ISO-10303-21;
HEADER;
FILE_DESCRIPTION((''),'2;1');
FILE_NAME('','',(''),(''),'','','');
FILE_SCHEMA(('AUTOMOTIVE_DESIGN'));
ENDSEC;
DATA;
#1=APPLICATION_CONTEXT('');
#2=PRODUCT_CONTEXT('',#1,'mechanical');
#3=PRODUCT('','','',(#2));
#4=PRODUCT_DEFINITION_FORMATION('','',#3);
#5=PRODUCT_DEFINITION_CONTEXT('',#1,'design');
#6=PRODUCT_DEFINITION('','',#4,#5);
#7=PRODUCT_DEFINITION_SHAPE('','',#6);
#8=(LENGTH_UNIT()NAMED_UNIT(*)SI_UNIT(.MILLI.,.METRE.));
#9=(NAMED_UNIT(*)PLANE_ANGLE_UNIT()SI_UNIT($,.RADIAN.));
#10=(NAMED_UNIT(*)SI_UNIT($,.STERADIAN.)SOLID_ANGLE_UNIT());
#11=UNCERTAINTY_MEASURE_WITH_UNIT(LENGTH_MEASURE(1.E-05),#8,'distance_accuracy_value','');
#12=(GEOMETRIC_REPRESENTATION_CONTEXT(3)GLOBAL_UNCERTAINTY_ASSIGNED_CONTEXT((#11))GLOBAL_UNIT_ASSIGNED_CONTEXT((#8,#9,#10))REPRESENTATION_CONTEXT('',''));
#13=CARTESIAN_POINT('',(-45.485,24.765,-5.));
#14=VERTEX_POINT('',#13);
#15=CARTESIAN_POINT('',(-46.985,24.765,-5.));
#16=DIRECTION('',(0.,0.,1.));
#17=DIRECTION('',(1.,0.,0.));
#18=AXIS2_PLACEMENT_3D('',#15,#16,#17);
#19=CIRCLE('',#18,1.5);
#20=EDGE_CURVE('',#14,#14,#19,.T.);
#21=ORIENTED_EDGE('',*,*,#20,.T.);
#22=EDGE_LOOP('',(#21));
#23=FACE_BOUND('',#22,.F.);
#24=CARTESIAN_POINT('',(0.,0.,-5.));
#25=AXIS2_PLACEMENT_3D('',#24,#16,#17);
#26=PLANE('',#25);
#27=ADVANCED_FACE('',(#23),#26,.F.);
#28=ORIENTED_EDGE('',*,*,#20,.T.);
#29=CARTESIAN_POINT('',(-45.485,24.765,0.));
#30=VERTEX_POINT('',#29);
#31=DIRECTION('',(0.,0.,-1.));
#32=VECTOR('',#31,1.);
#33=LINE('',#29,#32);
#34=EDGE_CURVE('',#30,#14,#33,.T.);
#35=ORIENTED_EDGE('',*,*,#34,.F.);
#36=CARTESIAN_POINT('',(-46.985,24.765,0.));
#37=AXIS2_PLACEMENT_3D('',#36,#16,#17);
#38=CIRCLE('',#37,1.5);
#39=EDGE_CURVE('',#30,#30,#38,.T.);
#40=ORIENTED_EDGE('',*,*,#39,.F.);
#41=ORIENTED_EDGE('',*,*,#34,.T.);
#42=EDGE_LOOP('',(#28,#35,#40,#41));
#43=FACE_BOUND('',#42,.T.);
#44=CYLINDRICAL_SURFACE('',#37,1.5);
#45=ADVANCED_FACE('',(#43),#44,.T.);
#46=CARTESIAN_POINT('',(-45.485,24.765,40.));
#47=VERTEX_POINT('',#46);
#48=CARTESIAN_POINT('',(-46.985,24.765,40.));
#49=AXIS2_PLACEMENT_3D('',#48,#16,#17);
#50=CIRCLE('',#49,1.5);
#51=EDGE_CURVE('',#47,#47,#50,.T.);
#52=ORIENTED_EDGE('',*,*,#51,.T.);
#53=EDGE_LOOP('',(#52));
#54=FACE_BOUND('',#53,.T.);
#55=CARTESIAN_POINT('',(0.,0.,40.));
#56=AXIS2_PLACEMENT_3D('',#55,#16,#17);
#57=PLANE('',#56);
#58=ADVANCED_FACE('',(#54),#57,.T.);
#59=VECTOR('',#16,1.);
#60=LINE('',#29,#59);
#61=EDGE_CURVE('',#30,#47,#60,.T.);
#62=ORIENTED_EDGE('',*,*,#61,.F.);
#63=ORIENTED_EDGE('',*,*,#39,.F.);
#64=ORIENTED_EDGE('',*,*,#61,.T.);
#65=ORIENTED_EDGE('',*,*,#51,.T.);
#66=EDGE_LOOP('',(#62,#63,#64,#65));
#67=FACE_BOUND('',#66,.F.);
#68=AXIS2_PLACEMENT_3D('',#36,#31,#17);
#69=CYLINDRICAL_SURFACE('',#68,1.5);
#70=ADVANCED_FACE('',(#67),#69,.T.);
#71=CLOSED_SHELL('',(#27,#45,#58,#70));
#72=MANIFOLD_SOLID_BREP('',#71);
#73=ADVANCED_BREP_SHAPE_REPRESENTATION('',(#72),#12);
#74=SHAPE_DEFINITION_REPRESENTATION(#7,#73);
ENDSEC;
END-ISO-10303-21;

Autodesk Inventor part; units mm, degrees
ref_plane "YZ Plane" through (0, 0, 0) normal (1, 0, 0) x (0, 1, 0)
ref_plane "XZ Plane" through (0, 0, 0) normal (0, 1, 0) x (-1, 0, 0)
ref_plane "XY Plane" through (0, 0, 0) normal (0, 0, 1) x (1, 0, 0)
ref_plane "Work Plane1" through (0, 0, 0) normal (0, 0, 1) x (1, 0, 0)
sketch "Sketch1" plane through (0, 0, 0) normal (0, 0, 1) x (1, 0, 0)
  circle A0 centre (-46.985, 24.765) radius 1.5
  point P0 (0, 0)
  dimension "d0" = 3
extrude "Extrusion1" add sketch "Sketch1" along normal blind 40 and the other way blind 5
thread "Thread1" size "M3x0.5" class "6g" standard "ANSI Metric M Profile" full length
properties part number "threaded-rod01"
